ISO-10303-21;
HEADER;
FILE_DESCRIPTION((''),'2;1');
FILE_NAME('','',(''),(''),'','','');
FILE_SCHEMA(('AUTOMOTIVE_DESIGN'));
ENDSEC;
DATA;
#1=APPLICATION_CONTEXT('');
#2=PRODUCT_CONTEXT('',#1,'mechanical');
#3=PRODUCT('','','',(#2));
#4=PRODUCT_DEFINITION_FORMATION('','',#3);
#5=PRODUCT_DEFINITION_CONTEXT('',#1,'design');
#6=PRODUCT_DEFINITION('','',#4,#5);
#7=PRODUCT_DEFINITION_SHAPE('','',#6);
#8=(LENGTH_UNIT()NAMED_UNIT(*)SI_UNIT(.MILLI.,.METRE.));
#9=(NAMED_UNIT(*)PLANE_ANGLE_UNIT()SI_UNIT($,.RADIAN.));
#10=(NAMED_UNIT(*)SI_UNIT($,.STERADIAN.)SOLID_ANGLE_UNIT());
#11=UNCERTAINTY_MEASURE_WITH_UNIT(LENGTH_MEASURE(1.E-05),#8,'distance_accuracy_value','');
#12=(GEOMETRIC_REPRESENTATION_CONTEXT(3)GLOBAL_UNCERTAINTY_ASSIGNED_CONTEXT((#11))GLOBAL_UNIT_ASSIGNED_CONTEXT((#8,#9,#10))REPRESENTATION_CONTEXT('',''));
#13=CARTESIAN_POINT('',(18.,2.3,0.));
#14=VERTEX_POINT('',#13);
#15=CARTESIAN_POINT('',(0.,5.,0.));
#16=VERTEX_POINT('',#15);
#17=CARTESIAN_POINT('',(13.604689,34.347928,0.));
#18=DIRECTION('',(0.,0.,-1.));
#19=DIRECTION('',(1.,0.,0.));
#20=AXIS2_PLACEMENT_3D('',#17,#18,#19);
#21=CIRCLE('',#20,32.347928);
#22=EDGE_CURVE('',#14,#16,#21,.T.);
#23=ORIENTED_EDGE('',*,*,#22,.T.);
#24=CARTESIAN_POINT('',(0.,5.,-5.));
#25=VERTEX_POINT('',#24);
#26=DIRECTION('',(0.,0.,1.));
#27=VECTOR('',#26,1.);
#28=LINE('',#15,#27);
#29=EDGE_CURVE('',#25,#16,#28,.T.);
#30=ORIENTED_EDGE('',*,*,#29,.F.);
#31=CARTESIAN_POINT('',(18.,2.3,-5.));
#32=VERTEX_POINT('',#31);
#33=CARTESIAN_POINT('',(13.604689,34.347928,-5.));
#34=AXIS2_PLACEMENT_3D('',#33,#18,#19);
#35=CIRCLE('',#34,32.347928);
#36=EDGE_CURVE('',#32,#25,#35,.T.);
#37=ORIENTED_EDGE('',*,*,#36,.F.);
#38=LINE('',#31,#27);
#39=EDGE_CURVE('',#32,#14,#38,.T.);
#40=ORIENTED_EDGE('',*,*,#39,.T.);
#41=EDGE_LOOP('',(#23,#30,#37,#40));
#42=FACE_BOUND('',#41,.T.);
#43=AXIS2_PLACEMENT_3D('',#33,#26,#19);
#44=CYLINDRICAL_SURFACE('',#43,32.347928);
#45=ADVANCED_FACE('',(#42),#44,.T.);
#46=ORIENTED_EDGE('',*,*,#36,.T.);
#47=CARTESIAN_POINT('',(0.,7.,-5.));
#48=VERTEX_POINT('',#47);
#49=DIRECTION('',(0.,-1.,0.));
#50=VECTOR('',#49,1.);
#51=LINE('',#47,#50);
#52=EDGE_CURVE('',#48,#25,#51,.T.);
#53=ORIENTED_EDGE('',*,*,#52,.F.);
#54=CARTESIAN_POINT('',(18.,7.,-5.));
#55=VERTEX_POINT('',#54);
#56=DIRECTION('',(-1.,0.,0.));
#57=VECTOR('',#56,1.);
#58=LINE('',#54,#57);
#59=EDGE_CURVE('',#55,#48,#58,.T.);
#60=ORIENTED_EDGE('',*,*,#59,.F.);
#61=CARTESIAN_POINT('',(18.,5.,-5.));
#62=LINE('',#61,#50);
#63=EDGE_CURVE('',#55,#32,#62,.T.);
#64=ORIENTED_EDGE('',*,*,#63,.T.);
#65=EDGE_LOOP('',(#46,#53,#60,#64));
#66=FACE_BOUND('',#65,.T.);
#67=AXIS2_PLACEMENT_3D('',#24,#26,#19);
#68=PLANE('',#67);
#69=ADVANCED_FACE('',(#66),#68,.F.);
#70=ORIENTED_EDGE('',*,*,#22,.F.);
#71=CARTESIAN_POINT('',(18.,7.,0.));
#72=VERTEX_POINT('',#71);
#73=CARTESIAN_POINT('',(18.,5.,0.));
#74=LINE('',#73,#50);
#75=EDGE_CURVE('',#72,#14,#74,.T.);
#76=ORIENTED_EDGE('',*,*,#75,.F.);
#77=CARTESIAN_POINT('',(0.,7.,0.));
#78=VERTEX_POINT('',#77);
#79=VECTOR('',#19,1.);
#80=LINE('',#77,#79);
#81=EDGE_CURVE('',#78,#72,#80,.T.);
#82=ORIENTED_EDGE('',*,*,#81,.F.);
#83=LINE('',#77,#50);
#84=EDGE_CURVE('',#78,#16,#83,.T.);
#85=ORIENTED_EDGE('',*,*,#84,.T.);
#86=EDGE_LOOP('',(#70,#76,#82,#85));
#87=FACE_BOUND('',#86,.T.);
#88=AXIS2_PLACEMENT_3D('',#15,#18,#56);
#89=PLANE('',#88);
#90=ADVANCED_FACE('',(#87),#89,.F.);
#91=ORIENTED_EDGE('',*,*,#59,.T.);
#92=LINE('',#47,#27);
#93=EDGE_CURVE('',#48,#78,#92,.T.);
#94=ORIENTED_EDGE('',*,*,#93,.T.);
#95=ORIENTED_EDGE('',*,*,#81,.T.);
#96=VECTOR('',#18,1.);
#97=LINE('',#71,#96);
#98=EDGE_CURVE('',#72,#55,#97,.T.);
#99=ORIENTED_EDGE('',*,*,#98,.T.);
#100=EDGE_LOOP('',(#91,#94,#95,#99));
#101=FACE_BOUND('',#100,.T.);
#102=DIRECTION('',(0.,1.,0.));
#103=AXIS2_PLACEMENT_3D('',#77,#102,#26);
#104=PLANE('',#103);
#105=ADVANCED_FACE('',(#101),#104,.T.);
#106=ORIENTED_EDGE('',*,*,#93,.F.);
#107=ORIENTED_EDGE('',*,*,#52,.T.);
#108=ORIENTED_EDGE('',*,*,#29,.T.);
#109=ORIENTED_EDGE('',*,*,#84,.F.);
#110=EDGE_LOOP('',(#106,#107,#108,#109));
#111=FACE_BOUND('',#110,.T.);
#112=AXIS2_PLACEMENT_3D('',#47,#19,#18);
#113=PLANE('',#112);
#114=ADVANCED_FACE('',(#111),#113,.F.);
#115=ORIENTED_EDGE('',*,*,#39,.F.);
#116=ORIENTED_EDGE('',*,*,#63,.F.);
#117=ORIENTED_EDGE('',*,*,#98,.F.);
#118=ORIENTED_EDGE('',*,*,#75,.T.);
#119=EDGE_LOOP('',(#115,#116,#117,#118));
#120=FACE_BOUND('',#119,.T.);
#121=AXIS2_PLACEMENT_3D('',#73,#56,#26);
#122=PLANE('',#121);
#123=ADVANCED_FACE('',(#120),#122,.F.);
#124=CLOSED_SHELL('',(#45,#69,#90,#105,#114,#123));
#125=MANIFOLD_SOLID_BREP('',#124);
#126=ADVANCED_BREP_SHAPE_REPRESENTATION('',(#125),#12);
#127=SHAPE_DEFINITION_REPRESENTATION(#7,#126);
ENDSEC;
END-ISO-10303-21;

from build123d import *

# Parameters (mm, degrees)
SKETCH2_W           = 18
SKETCH2_H           = 5
BOSS_EXTRUDE1_DEPTH = 5
CUT_EXTRUDE1_DEPTH  = 20.339079606
SKETCH4_W           = 18
SKETCH4_H           = 5
BOSS_EXTRUDE2_DEPTH = 2


with BuildPart() as part:
    # Sketch2 → Boss-Extrude1 (new body)
    with BuildSketch(Plane(origin=(0, 0, 0), x_dir=(1, 0, 0), z_dir=(0, 1, 0))):
        with Locations((9, 2.5)):
            Rectangle(SKETCH2_W, SKETCH2_H)
    extrude(amount=BOSS_EXTRUDE1_DEPTH)

    # Sketch3 → Cut-Extrude1 (cut, through all)
    with BuildSketch(Plane.XY):
        with BuildLine():
            Line((0, 5), (0, 0))
            Line((0, 0), (18, 0))
            Line((18, 0), (18, 2.3))
            ThreePointArc((18, 2.3), (8.806182909, 2.357886062), (0, 5))
        make_face()
    extrude(amount=-CUT_EXTRUDE1_DEPTH, mode=Mode.SUBTRACT)

    # Sketch4 → Boss-Extrude2 (add)
    with BuildSketch(Plane(origin=(0, 5, 0), x_dir=(1, 0, 0), z_dir=(0, 1, 0))):
        with Locations((9, 2.5)):
            Rectangle(SKETCH4_W, SKETCH4_H)
    extrude(amount=BOSS_EXTRUDE2_DEPTH)


solid = part.part
